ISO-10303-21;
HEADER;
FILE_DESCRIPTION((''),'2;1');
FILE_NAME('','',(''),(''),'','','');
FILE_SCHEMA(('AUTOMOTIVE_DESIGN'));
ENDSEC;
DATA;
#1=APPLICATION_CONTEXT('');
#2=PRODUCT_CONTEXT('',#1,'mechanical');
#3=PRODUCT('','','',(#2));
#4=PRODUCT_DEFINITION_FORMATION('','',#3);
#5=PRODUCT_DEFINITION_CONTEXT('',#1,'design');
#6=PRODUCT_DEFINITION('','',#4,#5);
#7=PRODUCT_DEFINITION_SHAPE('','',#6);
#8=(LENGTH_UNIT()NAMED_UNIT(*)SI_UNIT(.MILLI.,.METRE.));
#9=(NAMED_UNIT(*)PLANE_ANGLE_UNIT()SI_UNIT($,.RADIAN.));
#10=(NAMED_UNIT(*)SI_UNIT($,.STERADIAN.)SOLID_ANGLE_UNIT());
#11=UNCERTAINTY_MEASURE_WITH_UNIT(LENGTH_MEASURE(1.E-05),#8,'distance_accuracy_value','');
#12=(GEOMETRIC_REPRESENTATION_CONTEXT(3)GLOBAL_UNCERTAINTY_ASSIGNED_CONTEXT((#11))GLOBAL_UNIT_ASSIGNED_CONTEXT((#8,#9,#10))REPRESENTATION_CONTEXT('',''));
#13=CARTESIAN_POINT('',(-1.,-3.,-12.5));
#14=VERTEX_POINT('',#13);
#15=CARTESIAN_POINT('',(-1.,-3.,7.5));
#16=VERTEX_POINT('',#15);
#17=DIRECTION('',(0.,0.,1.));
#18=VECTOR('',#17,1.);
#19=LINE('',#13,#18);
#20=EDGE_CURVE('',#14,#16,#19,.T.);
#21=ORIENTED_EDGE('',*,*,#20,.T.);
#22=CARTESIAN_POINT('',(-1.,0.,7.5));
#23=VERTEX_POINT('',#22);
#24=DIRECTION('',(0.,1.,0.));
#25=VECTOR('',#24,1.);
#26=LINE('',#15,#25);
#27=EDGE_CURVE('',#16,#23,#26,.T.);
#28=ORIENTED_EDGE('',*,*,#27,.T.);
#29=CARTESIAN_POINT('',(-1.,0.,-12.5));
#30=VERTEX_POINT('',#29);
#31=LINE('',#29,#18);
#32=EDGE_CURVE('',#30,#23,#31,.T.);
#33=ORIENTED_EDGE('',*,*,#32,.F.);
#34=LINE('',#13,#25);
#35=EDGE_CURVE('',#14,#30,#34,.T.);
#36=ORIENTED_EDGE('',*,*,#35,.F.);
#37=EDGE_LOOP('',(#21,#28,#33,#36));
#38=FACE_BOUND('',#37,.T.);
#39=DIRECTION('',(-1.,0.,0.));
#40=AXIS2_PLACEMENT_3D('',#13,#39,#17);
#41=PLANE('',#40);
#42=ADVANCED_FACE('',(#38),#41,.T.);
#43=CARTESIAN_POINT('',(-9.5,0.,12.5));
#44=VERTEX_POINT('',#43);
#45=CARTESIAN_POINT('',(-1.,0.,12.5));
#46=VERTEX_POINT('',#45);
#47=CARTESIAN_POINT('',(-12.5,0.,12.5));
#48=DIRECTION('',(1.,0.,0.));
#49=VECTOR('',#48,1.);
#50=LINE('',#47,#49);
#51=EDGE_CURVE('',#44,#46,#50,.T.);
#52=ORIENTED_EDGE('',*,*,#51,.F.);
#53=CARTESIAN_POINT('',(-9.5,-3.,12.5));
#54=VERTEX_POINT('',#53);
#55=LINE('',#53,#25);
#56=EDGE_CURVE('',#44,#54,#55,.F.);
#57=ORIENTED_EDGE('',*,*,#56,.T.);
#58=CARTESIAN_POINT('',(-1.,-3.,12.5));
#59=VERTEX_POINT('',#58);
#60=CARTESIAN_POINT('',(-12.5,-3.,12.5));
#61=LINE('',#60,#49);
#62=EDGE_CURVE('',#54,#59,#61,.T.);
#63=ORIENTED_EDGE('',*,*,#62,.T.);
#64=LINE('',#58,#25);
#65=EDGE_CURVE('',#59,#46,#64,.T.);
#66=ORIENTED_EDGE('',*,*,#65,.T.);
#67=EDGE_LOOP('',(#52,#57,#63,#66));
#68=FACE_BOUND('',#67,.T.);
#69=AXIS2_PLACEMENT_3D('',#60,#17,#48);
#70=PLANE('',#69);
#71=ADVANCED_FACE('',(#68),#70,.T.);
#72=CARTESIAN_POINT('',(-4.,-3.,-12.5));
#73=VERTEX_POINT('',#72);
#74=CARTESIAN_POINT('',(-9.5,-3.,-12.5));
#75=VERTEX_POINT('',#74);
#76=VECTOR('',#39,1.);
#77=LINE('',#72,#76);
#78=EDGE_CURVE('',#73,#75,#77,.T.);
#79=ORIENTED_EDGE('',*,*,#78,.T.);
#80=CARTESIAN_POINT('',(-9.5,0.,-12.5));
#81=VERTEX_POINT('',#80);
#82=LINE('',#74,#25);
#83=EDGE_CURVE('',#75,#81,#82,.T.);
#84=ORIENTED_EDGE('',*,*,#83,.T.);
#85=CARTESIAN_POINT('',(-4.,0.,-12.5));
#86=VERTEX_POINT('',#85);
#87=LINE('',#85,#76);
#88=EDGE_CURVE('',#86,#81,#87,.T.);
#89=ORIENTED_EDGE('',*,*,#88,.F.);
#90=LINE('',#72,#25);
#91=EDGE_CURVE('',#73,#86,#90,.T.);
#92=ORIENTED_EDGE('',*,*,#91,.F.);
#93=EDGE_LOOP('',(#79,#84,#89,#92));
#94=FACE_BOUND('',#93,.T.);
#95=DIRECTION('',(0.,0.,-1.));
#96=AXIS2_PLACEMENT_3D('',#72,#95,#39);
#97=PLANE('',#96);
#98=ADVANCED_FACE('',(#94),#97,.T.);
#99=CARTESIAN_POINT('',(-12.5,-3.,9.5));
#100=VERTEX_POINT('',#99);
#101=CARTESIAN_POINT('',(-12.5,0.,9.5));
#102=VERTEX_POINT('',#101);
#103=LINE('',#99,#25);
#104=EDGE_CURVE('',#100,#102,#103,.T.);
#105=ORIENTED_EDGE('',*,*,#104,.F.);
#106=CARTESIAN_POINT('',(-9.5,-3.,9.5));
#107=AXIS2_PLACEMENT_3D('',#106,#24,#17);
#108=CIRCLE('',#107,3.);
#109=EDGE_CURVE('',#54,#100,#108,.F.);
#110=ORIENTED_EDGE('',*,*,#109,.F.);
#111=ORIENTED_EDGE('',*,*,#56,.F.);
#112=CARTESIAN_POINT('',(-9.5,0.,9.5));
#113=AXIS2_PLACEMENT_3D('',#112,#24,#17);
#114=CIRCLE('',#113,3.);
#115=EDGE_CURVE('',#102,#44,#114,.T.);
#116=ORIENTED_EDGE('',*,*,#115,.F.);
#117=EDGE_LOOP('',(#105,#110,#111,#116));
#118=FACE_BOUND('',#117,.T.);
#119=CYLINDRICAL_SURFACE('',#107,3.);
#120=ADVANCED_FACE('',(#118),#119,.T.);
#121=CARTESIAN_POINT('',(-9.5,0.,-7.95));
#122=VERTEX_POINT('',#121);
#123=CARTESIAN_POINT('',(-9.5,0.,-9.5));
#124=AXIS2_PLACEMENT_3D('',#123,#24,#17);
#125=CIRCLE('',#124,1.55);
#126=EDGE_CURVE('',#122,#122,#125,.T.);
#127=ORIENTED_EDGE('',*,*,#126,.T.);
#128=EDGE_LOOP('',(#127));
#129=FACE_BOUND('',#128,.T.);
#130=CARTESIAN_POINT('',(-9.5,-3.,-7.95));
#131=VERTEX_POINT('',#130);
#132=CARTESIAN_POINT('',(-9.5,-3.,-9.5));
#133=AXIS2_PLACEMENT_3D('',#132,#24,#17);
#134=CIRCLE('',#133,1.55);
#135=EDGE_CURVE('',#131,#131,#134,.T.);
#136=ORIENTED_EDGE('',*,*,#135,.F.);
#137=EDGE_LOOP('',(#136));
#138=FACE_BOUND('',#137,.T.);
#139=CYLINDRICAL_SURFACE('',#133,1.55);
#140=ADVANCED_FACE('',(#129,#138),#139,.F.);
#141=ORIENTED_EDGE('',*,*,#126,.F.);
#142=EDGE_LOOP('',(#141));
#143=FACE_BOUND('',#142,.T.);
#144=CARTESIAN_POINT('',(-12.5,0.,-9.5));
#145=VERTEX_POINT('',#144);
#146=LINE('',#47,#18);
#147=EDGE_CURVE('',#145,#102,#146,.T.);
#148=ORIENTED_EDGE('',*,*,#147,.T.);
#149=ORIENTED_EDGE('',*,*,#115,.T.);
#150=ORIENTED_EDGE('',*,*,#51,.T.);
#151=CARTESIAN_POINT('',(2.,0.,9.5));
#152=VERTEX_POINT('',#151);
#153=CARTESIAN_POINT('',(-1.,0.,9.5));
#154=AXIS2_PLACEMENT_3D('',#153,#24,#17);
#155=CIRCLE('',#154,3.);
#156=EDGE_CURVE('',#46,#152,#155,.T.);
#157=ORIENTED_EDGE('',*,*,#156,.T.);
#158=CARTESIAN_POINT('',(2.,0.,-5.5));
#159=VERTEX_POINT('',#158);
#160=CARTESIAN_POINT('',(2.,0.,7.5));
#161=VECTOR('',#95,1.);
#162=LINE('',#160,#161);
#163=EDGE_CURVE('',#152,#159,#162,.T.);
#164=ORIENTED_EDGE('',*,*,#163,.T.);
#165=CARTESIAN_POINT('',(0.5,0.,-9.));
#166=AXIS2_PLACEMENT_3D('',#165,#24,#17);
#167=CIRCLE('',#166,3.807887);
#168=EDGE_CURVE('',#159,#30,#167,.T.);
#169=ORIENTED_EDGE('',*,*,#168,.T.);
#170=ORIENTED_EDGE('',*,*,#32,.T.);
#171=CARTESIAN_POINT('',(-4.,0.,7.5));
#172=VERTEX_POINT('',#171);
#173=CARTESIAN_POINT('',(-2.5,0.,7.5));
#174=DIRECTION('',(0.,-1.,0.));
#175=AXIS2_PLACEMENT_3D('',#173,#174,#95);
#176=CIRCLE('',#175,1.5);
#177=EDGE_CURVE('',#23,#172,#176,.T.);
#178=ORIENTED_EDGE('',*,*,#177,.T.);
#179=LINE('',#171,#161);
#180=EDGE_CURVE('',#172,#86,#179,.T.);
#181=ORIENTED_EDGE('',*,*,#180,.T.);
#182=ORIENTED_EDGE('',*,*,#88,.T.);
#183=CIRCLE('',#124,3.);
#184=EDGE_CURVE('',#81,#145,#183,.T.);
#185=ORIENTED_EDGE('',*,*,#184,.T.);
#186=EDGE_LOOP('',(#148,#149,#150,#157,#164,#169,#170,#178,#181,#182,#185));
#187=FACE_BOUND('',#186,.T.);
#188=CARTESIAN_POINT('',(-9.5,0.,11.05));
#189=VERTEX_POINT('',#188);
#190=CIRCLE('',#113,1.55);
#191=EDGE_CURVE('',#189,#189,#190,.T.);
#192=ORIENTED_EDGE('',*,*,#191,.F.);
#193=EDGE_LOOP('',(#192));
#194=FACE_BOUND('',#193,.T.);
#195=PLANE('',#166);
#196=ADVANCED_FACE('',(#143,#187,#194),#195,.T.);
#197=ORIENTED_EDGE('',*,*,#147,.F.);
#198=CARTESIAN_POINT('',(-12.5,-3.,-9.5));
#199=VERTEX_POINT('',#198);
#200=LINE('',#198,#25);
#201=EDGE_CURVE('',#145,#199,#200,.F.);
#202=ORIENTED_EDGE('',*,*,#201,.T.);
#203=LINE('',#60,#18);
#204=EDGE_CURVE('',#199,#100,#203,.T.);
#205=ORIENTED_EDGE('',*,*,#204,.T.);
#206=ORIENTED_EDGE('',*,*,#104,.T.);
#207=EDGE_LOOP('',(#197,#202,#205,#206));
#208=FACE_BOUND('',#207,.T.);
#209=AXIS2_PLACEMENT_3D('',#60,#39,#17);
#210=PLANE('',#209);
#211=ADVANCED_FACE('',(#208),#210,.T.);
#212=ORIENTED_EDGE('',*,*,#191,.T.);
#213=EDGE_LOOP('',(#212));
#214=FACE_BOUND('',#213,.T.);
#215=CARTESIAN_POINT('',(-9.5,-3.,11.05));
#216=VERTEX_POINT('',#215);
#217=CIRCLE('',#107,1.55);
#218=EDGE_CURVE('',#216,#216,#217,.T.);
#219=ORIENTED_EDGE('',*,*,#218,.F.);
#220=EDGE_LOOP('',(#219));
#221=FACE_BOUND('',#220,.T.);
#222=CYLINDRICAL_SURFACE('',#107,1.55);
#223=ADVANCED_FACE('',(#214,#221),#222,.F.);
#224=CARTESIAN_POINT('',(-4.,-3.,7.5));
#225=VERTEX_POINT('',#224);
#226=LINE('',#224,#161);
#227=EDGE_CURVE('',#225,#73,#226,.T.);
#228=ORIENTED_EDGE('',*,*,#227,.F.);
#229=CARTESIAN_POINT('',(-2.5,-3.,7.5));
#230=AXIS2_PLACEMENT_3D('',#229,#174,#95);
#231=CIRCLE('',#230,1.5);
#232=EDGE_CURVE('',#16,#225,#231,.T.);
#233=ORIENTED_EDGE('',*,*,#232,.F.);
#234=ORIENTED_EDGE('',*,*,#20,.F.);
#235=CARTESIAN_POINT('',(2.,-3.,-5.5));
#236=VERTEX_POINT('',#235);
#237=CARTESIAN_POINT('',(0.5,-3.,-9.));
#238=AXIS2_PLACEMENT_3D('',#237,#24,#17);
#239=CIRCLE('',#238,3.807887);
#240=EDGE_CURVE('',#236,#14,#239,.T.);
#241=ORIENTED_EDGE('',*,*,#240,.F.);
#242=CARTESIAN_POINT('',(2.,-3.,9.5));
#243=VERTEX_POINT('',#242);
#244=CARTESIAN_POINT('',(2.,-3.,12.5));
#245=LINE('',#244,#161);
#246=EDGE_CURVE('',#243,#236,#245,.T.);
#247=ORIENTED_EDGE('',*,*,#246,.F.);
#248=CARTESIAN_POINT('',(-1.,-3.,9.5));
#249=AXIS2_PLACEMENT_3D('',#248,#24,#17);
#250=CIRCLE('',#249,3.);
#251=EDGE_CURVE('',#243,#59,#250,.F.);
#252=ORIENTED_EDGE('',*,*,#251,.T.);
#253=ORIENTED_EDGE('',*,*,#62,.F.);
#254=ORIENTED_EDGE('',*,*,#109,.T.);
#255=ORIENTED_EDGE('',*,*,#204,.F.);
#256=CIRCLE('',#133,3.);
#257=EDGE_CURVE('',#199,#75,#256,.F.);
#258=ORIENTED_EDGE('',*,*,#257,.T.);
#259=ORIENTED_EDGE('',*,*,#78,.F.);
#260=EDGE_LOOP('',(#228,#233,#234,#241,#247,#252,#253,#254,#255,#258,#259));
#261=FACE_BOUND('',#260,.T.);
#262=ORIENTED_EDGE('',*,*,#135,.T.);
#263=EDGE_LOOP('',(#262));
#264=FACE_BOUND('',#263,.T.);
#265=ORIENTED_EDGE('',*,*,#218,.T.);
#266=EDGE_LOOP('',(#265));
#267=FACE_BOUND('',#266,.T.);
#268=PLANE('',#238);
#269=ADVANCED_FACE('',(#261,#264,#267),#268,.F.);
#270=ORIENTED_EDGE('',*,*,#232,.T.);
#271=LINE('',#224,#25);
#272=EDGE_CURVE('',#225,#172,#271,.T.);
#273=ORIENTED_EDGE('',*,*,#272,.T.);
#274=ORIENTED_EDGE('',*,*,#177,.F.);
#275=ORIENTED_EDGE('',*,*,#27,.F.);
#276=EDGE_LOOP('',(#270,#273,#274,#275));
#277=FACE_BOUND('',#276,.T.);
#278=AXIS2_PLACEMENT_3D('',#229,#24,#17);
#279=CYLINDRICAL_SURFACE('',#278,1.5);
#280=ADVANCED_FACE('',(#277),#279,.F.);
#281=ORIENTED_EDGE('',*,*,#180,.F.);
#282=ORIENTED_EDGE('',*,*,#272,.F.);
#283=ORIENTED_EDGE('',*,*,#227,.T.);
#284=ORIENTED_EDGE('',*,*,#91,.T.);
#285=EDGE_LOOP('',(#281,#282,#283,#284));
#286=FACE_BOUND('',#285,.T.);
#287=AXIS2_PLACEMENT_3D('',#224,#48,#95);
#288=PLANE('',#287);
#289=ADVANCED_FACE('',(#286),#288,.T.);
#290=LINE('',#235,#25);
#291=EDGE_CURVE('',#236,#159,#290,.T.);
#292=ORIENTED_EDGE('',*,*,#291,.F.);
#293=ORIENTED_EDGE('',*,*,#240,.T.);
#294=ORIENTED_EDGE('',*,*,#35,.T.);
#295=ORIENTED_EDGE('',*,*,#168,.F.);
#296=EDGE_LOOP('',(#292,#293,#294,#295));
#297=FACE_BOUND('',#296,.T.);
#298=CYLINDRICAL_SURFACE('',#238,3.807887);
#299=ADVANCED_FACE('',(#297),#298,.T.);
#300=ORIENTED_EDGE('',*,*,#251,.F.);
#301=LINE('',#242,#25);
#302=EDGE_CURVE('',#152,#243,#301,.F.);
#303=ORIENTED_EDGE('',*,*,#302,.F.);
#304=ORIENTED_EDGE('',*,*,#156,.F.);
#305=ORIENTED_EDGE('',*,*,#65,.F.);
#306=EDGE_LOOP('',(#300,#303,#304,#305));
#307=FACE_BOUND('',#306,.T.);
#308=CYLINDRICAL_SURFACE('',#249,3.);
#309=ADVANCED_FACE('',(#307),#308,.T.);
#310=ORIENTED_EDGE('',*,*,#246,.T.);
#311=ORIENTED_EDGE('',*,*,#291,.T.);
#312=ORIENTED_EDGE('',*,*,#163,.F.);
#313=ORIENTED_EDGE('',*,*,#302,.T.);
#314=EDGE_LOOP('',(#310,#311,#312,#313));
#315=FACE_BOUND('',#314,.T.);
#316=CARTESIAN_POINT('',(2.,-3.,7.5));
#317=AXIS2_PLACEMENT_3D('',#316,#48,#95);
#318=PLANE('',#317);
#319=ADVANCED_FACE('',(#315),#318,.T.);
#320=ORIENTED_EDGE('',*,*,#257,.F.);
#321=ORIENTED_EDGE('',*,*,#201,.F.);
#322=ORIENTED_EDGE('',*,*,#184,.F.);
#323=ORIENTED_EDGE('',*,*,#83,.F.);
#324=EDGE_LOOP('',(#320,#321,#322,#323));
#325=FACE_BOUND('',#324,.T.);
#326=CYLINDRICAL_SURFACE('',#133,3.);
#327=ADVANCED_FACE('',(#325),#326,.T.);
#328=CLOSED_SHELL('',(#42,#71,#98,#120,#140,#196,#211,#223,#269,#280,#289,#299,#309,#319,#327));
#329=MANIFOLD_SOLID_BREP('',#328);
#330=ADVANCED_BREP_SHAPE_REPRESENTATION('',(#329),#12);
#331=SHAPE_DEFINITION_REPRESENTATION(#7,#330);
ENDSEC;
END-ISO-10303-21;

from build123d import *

# Parameters (mm, degrees)
SKETCH1_R           = 1.55
BOSS_EXTRUDE1_DEPTH = 3
FILLET1_R           = 3
FILLET3_R           = 3


with BuildPart() as part:
    # Sketch1 → Boss-Extrude1 (new body)
    with BuildSketch(Plane(origin=(0, 0, 0), x_dir=(1, 0, 0), z_dir=(0, 1, 0))):
        with BuildLine():
            Line((2, -7.5), (2, 5.5))
            ThreePointArc((2, 5.5), (4, 10.5), (-1, 12.5))
            Line((-1, 12.5), (-1, -7.5))
            ThreePointArc((-1, -7.5), (-2.5, -9), (-4, -7.5))
            Line((-4, -7.5), (-4, 12.5))
            Line((-4, 12.5), (-12.5, 12.5))
            Line((-12.5, 12.5), (-12.5, -12.5))
            Line((-12.5, -12.5), (2, -12.5))
            Line((2, -12.5), (2, -7.5))
        make_face()
        with Locations(Location((-9.5, 9.5, 0), (0, 0, 270))):
            Circle(SKETCH1_R, mode=Mode.SUBTRACT)
        with Locations(Location((-9.5, -9.5, 0), (0, 0, 270))):
            Circle(SKETCH1_R, mode=Mode.SUBTRACT)
    extrude(amount=-BOSS_EXTRUDE1_DEPTH)

    # Fillet1
    fillet1_edges = [part.edges().sort_by_distance(p)[0] for p in [
        (2, -1.5, 12.5),
    ]]
    fillet(fillet1_edges, radius=FILLET1_R)

    # Fillet3
    fillet3_edges = [part.edges().sort_by_distance(p)[0] for p in [
        (-12.5, -1.5, 12.5),
        (-12.5, -1.5, -12.5),
    ]]
    fillet(fillet3_edges, radius=FILLET3_R)


solid = part.part
